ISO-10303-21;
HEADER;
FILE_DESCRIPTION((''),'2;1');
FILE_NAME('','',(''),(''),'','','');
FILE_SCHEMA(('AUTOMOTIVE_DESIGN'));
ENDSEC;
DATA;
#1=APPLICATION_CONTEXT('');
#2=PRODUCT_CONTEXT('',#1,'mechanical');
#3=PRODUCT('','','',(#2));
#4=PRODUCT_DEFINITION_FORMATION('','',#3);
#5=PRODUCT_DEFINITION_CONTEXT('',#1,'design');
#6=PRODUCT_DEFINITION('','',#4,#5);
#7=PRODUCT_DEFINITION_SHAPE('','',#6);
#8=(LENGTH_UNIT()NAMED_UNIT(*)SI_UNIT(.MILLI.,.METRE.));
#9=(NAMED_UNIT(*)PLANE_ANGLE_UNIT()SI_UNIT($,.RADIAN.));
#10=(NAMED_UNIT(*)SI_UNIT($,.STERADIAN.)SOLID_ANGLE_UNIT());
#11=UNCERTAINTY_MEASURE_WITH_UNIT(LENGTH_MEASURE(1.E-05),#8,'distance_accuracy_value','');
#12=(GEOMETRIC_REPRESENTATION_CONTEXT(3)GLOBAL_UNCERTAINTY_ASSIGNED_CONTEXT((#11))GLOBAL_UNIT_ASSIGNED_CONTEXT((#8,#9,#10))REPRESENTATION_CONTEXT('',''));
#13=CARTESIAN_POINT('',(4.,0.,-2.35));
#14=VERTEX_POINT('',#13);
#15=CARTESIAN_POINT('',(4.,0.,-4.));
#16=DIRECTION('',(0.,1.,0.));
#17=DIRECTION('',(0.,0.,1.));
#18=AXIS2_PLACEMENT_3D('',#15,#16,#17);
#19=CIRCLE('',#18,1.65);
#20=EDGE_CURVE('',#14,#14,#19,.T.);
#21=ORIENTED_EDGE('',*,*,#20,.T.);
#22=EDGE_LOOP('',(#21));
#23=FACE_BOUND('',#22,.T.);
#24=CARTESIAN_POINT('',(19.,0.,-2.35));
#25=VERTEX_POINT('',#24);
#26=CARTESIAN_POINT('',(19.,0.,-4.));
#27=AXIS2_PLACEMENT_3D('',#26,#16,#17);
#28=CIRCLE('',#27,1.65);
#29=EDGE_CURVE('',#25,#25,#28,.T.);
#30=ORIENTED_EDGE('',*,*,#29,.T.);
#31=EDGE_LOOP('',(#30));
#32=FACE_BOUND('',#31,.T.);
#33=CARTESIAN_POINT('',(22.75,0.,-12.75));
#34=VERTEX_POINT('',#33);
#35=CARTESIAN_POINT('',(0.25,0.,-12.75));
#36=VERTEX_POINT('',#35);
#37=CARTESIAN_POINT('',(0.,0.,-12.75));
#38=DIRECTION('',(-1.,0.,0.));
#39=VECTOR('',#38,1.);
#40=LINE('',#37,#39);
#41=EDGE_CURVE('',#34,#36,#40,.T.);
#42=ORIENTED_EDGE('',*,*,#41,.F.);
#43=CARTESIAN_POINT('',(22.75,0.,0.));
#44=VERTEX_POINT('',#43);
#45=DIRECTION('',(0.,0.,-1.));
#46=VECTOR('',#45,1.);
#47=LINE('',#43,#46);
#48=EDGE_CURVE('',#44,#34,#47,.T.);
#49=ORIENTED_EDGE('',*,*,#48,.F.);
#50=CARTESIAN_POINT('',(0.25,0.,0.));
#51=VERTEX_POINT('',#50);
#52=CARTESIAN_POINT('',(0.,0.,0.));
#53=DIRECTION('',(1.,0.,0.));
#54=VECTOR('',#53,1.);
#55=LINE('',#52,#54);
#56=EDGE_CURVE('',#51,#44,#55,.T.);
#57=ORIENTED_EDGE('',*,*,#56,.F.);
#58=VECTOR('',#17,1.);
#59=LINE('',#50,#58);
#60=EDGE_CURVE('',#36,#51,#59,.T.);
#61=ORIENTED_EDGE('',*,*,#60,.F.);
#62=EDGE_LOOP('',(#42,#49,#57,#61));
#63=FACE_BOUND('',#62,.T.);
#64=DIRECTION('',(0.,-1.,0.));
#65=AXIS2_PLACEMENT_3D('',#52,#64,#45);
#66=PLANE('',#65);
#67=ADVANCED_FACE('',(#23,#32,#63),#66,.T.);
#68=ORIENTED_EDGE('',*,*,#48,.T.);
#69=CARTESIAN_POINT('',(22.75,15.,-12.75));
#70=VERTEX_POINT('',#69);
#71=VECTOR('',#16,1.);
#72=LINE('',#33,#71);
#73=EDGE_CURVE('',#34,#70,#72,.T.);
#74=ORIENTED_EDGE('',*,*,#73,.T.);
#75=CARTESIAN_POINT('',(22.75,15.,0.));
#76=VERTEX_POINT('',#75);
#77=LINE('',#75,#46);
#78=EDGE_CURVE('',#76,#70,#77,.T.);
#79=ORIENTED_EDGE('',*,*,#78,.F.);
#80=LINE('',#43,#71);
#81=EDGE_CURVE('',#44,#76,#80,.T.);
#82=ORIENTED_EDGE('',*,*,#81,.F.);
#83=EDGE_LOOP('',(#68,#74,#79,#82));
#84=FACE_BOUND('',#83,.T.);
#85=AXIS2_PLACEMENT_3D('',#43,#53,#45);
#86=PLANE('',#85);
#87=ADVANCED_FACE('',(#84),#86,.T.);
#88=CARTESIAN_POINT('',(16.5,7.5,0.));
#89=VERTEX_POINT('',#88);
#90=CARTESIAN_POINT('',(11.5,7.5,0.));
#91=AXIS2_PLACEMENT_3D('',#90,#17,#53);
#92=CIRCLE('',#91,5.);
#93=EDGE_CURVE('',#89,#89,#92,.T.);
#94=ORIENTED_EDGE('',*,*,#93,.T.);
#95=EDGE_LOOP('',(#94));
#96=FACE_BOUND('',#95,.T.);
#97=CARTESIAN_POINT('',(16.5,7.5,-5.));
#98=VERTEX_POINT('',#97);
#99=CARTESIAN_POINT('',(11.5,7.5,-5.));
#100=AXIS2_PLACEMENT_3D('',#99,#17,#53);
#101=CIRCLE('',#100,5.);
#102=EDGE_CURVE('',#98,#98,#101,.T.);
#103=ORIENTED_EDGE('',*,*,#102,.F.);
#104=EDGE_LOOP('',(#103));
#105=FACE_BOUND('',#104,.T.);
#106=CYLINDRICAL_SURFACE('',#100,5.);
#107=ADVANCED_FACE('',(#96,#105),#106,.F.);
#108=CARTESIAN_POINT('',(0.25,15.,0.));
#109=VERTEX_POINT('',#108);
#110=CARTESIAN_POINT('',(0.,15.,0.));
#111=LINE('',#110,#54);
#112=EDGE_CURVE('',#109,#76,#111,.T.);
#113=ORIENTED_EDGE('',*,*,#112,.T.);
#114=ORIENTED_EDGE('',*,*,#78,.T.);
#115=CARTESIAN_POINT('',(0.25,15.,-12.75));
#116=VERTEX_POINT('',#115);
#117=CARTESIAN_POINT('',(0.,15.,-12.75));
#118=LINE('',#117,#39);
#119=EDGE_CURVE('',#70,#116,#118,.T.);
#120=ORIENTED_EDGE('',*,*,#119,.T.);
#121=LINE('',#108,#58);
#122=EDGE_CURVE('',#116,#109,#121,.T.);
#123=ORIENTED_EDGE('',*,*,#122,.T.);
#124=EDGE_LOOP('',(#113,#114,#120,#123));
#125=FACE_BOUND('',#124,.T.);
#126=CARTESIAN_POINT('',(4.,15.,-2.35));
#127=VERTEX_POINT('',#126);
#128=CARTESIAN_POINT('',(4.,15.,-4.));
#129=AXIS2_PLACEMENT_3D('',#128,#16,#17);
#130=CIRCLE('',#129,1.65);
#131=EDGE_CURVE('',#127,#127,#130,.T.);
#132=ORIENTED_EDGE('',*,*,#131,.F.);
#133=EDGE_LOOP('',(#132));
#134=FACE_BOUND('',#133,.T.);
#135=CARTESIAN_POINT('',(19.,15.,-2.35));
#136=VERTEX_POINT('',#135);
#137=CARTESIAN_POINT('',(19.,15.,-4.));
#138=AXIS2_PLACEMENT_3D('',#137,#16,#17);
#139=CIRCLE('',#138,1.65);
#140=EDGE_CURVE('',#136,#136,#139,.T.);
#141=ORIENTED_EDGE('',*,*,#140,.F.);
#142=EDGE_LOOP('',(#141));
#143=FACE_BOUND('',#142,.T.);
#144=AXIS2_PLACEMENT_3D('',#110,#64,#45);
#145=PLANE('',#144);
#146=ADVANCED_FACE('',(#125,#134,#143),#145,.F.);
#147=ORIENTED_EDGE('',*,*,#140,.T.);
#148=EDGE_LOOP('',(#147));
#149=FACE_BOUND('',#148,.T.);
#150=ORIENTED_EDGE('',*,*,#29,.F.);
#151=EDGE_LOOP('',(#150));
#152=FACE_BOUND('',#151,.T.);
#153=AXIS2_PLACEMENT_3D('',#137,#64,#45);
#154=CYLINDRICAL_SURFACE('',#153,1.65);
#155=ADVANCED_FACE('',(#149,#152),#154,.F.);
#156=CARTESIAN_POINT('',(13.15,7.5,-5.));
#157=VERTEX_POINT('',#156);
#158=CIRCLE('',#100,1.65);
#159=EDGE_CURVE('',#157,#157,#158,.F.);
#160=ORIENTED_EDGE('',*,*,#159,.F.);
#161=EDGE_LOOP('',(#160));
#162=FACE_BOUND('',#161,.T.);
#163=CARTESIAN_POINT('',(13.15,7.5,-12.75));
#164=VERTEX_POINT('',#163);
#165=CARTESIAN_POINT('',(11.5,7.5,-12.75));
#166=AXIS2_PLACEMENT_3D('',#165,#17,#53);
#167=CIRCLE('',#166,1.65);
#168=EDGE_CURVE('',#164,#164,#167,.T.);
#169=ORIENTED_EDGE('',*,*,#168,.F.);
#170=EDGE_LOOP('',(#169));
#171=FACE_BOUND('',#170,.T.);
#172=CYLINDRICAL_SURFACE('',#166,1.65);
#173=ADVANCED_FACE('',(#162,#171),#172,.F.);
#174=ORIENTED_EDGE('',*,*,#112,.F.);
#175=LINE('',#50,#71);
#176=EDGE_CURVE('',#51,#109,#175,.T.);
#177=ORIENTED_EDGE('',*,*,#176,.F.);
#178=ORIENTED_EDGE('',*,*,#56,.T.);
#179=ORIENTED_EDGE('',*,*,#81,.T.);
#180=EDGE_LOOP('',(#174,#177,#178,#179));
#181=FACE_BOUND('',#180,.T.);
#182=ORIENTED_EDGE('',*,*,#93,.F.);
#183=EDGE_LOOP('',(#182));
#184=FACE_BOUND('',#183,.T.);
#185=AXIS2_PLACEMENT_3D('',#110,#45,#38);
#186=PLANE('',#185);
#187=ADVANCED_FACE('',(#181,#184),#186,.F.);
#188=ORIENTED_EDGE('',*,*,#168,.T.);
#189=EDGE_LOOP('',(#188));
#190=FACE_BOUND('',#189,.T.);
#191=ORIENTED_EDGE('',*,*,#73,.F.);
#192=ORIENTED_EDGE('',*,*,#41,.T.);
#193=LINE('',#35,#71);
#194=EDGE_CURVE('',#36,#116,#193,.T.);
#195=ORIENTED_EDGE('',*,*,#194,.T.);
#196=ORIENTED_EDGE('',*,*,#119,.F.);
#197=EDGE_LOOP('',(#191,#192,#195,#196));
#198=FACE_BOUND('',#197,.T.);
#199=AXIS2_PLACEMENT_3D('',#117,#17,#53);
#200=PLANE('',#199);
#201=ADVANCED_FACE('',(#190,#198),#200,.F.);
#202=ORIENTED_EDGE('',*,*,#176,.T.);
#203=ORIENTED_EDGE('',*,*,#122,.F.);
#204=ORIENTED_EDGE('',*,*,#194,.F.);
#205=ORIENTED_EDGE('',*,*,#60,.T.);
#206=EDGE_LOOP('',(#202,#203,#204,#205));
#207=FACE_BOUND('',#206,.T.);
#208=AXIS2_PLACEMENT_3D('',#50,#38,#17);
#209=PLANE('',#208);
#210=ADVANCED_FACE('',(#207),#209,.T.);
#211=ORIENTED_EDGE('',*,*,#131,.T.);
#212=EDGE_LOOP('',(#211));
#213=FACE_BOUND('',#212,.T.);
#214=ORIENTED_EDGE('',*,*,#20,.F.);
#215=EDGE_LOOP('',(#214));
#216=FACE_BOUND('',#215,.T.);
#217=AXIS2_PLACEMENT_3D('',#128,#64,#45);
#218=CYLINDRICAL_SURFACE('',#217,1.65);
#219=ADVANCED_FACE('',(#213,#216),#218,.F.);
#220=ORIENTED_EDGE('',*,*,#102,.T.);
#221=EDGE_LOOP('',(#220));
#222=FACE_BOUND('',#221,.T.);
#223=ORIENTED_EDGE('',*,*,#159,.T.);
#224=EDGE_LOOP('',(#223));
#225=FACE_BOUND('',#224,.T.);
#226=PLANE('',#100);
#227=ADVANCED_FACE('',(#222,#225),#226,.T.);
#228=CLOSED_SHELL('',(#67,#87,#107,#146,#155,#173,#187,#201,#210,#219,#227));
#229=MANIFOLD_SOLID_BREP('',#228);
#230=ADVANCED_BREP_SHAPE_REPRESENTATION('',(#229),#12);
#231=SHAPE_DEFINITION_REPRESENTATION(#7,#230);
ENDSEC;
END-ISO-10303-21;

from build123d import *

# Parameters (mm, degrees)
SKETCH1_W           = 23
SKETCH1_H           = 12.75
SKETCH1_R           = 1.65
BOSS_EXTRUDE1_DEPTH = 15
SKETCH2_R           = 1.65
CUT_EXTRUDE1_DEPTH  = 31.274783236
SKETCH3_R           = 5
CUT_EXTRUDE2_DEPTH  = 5
SKETCH4_OUTSIDE_W   = 31.054
SKETCH4_OUTSIDE_H   = 20.804
SKETCH4_OUTSIDE_W_2 = 22.5
SKETCH4_OUTSIDE_H_2 = 12.75
CUT_EXTRUDE3_DEPTH  = 31.274783236


with BuildPart() as part:
    # Sketch1 → Boss-Extrude1 (new body)
    with BuildSketch(Plane(origin=(0, 0, 0), x_dir=(1, 0, 0), z_dir=(0, 1, 0))):
        with Locations((11.5, 6.375)):
            Rectangle(SKETCH1_W, SKETCH1_H)
        with Locations(Location((4, 4, 0), (0, 0, 270))):
            Circle(SKETCH1_R, mode=Mode.SUBTRACT)
        with Locations(Location((19, 4, 0), (0, 0, 270))):
            Circle(SKETCH1_R, mode=Mode.SUBTRACT)
    extrude(amount=BOSS_EXTRUDE1_DEPTH)

    # Sketch2 → Cut-Extrude1 (cut, through all)
    with BuildSketch(Plane.XY):
        with Locations((11.5, 7.5)):
            Circle(SKETCH2_R)
    extrude(amount=-CUT_EXTRUDE1_DEPTH, mode=Mode.SUBTRACT)

    # Sketch3 → Cut-Extrude2 (cut)
    with BuildSketch(Plane.XY):
        with Locations((11.5, 7.5)):
            Circle(SKETCH3_R)
    extrude(amount=-CUT_EXTRUDE2_DEPTH, mode=Mode.SUBTRACT)

    # Sketch4 outside → Cut-Extrude3 (cut, through all)
    with BuildSketch(Plane(origin=(0, 15, 0), x_dir=(1, 0, 0), z_dir=(0, 1, 0))):
        with Locations((11.5, 6.375)):
            Rectangle(SKETCH4_OUTSIDE_W, SKETCH4_OUTSIDE_H)
        with Locations((11.5, 6.375)):
            Rectangle(SKETCH4_OUTSIDE_W_2, SKETCH4_OUTSIDE_H_2, mode=Mode.SUBTRACT)
    extrude(amount=-CUT_EXTRUDE3_DEPTH, mode=Mode.SUBTRACT)


solid = part.part
